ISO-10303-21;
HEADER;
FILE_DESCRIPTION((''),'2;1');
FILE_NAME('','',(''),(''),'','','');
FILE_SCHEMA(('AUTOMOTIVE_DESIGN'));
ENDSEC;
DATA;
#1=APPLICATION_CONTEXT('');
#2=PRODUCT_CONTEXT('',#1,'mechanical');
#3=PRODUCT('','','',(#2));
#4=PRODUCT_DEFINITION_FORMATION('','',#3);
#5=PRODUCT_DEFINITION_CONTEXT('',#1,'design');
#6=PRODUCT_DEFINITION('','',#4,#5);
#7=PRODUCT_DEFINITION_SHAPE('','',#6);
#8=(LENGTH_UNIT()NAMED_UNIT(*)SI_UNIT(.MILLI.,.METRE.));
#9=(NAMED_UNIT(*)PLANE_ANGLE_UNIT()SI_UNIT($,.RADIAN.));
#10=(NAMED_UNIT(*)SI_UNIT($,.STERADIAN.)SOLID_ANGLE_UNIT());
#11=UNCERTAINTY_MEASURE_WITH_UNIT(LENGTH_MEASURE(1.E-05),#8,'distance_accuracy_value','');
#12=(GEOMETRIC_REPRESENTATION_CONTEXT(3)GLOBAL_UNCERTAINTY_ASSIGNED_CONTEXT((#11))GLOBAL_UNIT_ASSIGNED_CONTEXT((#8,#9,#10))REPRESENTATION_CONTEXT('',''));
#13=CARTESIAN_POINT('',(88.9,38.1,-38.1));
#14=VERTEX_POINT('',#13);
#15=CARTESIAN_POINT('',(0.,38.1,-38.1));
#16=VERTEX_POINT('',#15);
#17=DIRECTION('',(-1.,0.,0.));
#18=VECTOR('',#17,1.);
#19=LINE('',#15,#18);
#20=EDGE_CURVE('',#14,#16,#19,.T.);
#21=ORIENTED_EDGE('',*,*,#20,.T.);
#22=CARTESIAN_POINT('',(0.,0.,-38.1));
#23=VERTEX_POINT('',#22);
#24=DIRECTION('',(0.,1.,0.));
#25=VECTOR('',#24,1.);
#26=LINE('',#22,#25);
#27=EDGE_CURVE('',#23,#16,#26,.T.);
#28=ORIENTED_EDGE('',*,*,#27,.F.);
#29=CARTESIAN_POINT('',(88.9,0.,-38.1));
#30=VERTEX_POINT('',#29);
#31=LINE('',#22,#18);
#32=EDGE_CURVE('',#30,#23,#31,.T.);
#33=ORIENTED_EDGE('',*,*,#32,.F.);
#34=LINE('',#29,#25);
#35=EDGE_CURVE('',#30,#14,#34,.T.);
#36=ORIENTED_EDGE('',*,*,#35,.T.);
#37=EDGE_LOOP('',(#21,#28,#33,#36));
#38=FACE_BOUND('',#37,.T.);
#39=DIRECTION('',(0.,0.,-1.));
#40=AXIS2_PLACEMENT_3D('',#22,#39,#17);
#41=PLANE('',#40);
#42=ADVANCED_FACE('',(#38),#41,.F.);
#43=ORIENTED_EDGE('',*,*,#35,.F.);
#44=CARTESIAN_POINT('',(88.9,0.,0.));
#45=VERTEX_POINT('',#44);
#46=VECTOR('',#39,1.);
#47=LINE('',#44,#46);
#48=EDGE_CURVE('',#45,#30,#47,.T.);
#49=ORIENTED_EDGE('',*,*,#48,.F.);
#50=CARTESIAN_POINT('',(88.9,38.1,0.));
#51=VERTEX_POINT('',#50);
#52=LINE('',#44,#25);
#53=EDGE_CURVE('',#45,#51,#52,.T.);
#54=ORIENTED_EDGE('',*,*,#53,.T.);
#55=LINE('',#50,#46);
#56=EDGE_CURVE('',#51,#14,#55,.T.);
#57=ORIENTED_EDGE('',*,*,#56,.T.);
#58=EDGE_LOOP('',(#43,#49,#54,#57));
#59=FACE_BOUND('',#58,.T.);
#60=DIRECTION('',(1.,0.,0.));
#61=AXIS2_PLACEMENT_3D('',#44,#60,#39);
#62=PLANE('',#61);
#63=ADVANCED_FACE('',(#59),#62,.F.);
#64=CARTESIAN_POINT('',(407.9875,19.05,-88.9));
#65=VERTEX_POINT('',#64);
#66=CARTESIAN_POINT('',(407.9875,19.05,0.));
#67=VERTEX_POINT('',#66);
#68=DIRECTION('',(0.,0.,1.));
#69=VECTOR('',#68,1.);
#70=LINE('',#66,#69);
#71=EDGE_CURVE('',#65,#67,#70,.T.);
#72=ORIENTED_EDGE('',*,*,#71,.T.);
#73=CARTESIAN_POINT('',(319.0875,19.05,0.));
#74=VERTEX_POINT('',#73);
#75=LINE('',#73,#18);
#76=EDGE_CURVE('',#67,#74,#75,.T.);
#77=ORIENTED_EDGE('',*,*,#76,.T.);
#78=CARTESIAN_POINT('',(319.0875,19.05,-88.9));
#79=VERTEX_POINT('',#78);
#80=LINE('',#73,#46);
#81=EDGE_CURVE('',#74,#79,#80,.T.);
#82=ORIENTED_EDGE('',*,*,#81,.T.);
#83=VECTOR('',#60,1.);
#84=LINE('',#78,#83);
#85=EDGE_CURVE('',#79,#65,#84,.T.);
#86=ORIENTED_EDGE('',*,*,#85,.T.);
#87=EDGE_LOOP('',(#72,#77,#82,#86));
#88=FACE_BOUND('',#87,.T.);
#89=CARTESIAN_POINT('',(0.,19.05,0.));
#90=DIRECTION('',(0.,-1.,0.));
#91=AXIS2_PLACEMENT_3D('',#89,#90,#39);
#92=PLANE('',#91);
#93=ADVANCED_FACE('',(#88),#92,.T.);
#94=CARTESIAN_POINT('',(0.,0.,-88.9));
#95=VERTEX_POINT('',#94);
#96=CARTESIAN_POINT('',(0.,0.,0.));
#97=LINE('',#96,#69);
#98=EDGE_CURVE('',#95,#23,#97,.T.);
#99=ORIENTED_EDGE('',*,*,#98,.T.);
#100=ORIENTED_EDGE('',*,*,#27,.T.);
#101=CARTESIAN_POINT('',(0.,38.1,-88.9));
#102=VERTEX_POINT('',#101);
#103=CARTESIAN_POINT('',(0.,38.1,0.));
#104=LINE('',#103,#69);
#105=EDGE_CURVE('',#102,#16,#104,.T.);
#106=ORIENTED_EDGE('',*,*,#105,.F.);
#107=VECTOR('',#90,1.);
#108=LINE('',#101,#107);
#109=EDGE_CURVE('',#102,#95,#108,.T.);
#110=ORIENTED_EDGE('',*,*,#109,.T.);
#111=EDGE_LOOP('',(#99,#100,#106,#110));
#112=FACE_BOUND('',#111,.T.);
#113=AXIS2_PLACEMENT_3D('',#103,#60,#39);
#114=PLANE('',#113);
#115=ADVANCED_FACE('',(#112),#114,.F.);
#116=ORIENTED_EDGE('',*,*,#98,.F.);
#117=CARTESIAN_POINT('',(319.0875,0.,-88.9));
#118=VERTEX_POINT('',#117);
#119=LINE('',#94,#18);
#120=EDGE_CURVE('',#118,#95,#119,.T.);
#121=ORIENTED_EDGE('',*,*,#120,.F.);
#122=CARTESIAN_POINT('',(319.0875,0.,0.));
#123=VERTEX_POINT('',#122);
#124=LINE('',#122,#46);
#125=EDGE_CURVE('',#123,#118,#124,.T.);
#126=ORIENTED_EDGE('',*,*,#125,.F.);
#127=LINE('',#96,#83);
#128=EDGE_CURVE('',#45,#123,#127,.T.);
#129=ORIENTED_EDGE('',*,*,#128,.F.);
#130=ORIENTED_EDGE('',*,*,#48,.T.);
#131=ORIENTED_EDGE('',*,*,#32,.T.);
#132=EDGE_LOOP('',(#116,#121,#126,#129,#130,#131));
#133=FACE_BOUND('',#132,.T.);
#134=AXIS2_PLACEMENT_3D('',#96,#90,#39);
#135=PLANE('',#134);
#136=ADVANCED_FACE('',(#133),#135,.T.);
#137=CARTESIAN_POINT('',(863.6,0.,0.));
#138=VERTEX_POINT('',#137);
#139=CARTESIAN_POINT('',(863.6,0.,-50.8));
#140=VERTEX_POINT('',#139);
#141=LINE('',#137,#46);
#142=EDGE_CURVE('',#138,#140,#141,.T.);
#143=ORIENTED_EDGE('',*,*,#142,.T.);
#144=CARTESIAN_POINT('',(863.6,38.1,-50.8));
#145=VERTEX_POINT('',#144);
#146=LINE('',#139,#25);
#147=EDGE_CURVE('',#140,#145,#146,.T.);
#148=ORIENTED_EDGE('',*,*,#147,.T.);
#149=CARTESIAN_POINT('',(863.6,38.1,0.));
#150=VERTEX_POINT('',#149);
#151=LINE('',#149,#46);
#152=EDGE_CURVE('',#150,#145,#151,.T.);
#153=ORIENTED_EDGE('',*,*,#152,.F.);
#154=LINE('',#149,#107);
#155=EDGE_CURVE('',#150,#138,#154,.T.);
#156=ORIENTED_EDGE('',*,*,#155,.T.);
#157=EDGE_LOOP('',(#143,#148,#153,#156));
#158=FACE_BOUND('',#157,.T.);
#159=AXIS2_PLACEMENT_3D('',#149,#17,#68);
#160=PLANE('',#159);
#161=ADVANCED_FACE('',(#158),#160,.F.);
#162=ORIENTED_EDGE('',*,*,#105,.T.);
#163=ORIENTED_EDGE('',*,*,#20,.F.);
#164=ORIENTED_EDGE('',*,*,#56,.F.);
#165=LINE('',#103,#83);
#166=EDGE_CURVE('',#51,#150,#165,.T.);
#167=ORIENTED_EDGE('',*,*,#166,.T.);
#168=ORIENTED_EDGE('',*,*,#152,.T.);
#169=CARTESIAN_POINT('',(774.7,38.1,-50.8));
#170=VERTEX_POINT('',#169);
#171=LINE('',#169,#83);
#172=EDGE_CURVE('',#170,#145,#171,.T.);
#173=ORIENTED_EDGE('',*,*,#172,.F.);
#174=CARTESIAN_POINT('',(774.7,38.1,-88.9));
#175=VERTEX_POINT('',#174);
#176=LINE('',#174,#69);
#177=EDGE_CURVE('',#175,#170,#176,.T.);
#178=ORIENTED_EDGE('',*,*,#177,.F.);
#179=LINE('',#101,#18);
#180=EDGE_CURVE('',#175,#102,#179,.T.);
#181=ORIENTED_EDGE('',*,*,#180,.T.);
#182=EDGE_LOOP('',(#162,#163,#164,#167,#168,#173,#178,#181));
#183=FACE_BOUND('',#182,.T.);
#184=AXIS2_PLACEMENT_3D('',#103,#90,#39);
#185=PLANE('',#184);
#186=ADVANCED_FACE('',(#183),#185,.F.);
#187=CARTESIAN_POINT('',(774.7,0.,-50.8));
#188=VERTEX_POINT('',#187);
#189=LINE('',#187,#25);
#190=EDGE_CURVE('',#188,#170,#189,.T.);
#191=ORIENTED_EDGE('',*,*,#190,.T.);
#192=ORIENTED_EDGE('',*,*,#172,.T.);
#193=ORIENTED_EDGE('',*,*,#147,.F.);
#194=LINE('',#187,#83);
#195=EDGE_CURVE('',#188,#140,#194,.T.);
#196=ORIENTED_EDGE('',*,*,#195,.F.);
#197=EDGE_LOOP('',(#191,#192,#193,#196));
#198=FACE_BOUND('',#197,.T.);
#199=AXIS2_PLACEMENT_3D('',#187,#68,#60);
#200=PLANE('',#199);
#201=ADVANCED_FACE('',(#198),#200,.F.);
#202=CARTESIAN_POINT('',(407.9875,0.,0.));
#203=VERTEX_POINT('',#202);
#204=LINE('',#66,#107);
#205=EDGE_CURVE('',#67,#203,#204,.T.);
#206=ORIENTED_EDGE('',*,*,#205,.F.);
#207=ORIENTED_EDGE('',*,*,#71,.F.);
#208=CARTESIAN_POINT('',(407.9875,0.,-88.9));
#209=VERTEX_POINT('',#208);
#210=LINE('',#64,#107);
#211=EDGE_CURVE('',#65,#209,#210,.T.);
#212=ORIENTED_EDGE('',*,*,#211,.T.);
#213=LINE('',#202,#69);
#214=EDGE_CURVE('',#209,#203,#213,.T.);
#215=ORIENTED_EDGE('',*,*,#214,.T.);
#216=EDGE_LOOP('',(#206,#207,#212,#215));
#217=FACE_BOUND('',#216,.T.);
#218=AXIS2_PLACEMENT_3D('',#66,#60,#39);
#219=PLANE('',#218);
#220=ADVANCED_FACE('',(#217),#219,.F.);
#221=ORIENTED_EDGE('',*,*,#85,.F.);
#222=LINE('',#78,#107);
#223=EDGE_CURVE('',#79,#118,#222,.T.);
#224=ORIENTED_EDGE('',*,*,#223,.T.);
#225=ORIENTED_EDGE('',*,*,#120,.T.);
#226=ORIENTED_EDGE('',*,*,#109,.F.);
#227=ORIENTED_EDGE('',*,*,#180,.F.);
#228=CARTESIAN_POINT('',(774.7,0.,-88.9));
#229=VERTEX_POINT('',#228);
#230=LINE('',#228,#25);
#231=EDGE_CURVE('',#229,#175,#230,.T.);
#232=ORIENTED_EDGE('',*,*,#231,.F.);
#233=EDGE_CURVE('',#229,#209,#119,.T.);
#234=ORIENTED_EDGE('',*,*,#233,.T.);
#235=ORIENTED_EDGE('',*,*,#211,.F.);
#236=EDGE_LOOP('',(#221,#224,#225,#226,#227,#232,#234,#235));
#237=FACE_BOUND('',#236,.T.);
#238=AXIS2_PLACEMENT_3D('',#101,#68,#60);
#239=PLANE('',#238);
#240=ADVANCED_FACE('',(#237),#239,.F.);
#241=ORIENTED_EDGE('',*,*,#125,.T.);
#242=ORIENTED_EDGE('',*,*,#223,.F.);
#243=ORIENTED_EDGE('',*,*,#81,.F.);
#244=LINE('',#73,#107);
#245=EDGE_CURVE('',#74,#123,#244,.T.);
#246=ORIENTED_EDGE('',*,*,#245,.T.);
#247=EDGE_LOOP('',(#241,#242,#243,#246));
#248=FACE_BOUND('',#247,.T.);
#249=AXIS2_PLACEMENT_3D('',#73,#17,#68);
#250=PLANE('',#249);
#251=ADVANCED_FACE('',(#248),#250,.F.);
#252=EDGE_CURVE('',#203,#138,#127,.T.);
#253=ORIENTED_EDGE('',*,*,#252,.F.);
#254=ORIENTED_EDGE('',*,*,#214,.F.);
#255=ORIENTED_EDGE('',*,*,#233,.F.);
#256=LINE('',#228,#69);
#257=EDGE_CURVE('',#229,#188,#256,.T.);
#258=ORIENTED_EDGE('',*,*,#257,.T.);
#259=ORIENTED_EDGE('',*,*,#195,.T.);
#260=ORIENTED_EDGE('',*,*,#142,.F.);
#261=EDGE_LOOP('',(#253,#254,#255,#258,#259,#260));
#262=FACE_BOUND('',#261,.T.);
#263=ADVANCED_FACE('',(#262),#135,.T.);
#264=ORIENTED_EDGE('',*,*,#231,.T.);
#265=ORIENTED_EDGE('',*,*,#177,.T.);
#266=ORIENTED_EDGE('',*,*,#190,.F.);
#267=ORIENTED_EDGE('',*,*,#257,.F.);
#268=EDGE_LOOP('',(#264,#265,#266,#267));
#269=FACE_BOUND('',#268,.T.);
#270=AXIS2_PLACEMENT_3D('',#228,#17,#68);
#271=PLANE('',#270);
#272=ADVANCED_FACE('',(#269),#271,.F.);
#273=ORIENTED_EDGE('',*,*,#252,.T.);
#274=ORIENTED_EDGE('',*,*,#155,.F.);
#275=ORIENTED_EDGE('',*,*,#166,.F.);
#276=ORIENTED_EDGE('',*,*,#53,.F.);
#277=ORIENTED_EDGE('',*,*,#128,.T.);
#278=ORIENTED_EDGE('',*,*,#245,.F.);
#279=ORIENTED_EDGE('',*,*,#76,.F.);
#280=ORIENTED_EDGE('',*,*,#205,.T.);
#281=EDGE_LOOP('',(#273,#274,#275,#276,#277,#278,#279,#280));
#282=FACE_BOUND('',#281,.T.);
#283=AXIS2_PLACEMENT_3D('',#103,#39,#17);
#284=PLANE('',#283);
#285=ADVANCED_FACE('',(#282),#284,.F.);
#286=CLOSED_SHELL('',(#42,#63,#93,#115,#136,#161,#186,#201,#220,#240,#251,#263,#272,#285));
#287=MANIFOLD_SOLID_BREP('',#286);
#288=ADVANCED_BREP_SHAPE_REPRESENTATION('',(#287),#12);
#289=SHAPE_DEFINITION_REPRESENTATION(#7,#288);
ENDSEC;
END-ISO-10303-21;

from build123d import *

# Parameters (mm, degrees)
SKETCH1_W           = 863.6
SKETCH1_H           = 88.9
BOSS_EXTRUDE1_DEPTH = 38.1
SKETCH2_W           = 88.9
SKETCH2_H           = 88.9
CUT_EXTRUDE1_DEPTH  = 19.05
SKETCH3_W           = 88.9
SKETCH3_H           = 38.1
CUT_EXTRUDE2_DEPTH  = 39.1
SKETCH4_W           = 88.9
SKETCH4_H           = 38.1
CUT_EXTRUDE3_DEPTH  = 39.1


with BuildPart() as part:
    # Sketch1 → Boss-Extrude1 (new body)
    with BuildSketch(Plane(origin=(0, 0, 0), x_dir=(1, 0, 0), z_dir=(0, 1, 0))):
        with Locations((431.8, 44.45)):
            Rectangle(SKETCH1_W, SKETCH1_H)
    extrude(amount=BOSS_EXTRUDE1_DEPTH)

    # Sketch2 → Cut-Extrude1 (cut)
    with BuildSketch(Plane.XZ):
        with Locations((363.5375, -44.45)):
            Rectangle(SKETCH2_W, SKETCH2_H)
    extrude(amount=-CUT_EXTRUDE1_DEPTH, mode=Mode.SUBTRACT)

    # Sketch3 → Cut-Extrude2 (cut, through all)
    with BuildSketch(Plane(origin=(0, 38.1, 0), x_dir=(1, 0, 0), z_dir=(0, 1, 0))):
        with Locations((44.45, 19.05)):
            Rectangle(SKETCH3_W, SKETCH3_H)
    extrude(amount=-CUT_EXTRUDE2_DEPTH, mode=Mode.SUBTRACT)

    # Sketch4 → Cut-Extrude3 (cut, through all)
    with BuildSketch(Plane(origin=(0, 38.1, 0), x_dir=(1, 0, 0), z_dir=(0, 1, 0))):
        with Locations((819.15, 69.85)):
            Rectangle(SKETCH4_W, SKETCH4_H)
    extrude(amount=-CUT_EXTRUDE3_DEPTH, mode=Mode.SUBTRACT)


solid = part.part
